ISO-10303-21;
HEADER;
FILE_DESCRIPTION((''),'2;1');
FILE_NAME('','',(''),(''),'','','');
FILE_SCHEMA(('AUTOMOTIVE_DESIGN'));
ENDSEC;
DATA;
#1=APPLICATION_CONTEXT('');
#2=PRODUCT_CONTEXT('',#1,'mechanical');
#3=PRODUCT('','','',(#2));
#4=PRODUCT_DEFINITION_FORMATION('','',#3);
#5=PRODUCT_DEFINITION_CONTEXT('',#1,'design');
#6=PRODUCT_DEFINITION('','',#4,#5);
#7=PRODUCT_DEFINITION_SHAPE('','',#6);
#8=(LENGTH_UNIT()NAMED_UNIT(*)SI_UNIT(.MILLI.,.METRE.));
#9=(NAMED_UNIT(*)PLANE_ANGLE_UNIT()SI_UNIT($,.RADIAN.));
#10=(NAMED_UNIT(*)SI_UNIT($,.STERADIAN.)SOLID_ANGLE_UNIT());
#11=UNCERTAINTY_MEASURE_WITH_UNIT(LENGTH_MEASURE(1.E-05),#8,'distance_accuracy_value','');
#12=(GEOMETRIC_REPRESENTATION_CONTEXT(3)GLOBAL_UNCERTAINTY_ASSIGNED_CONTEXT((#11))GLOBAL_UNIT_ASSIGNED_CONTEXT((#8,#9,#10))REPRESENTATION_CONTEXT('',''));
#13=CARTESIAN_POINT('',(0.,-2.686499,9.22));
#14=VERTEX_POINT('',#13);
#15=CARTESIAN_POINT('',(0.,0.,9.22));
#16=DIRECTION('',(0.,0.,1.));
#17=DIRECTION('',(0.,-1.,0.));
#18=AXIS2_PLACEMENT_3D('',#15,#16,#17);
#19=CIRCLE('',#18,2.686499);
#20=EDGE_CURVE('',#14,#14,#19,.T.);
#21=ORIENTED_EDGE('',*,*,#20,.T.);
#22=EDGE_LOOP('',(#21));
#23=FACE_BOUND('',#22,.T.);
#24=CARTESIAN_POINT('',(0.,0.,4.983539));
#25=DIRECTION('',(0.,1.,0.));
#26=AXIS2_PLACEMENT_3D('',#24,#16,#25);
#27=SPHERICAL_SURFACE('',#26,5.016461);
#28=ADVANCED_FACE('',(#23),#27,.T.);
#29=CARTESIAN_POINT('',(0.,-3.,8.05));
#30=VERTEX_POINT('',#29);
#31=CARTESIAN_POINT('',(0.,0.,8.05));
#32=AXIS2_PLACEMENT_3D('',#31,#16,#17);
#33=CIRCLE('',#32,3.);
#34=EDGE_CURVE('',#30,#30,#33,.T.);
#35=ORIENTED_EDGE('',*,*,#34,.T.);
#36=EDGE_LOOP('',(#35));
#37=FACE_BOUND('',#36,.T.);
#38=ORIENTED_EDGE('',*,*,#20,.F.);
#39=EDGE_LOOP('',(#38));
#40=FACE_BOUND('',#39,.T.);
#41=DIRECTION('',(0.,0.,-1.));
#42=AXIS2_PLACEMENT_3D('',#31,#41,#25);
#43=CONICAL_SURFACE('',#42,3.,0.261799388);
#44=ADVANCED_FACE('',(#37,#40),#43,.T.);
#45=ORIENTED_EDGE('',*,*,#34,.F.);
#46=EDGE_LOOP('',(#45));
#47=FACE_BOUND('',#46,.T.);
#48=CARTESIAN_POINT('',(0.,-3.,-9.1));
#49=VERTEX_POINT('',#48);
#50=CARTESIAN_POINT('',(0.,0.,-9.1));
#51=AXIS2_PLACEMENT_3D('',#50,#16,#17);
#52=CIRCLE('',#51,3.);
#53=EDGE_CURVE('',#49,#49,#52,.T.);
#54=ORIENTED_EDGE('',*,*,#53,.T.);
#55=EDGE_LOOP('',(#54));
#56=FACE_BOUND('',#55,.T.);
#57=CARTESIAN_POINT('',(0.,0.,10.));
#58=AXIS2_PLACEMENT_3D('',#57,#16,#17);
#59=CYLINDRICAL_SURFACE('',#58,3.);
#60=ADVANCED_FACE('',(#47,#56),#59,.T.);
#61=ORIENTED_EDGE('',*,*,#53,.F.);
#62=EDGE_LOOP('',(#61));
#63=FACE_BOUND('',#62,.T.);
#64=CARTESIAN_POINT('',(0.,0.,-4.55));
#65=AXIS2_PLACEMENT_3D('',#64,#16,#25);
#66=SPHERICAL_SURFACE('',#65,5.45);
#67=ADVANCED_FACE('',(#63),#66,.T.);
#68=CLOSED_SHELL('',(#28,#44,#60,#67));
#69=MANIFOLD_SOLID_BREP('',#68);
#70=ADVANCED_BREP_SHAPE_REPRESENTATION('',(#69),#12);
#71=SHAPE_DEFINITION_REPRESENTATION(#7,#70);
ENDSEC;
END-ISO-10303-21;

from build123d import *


with BuildPart() as part:
    # Sketch3 → Revolve1 (revolve)
    with BuildSketch(Plane(origin=(0, 0, 0), x_dir=(0, 0, -1), z_dir=(1, 0, 0))):
        with BuildLine():
            Line((-10, 0), (10, 0))
            ThreePointArc((10, 0), (9.770153254, 1.566045976), (9.1, 3))
            Line((9.1, 3), (-8.05, 3))
            Line((-8.05, 3), (-9.22, 2.686499445))
            ThreePointArc((-9.22, 2.686499445), (-9.801055079, 1.398720779), (-10, 0))
        make_face()
    revolve(axis=Axis((0, 0, 10), (0, 0, -1)))


solid = part.part
